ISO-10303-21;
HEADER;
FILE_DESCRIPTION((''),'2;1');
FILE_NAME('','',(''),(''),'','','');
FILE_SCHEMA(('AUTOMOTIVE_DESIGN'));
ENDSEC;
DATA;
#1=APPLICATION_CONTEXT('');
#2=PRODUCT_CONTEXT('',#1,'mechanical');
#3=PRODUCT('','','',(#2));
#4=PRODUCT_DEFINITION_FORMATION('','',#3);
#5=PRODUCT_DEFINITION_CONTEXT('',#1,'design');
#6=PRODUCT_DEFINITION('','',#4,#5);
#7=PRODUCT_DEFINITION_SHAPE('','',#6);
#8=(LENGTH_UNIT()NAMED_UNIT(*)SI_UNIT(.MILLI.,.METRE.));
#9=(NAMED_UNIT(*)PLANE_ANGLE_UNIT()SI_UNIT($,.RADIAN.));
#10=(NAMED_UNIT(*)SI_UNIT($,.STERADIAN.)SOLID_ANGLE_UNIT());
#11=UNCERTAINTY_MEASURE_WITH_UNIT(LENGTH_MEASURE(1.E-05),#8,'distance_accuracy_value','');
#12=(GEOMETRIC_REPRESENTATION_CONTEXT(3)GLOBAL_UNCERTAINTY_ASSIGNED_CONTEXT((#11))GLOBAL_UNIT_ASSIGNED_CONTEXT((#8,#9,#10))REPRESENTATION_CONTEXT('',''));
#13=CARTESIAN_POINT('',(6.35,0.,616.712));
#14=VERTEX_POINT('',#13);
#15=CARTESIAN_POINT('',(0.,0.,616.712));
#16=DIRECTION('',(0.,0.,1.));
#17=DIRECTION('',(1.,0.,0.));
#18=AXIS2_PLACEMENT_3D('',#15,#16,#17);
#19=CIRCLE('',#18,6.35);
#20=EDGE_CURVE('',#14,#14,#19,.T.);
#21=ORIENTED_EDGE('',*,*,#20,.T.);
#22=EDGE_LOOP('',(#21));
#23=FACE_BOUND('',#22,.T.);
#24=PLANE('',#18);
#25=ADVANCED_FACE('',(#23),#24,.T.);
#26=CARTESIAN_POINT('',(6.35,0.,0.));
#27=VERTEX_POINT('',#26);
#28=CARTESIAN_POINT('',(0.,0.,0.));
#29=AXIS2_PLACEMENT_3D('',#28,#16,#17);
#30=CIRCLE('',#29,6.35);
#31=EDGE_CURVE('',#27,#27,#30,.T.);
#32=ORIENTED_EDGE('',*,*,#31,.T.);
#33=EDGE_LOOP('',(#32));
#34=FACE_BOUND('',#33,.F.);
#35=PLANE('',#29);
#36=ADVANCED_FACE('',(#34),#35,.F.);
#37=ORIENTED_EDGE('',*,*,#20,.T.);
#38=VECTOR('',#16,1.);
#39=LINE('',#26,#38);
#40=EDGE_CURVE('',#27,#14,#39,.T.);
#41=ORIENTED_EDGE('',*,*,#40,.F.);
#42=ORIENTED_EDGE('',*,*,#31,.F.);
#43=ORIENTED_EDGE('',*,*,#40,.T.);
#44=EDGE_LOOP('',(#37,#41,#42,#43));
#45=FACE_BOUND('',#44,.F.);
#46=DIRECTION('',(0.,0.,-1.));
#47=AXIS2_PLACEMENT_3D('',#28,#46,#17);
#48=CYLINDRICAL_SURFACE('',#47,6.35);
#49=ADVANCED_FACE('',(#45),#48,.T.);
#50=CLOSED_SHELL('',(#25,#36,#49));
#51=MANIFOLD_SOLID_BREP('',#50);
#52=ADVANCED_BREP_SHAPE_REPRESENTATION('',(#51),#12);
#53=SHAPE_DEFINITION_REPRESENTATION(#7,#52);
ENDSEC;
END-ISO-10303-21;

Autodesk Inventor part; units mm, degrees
ref_plane "YZ Plane" through (0, 0, 0) normal (1, 0, 0) x (0, 1, 0)
ref_plane "XZ Plane" through (0, 0, 0) normal (0, 1, 0) x (-1, 0, 0)
ref_plane "XY Plane" through (0, 0, 0) normal (0, 0, 1) x (1, 0, 0)
sketch "Sketch1" plane through (0, 0, 0) normal (0, 0, 1) x (1, 0, 0)
  circle A0 centre (0, 0) radius 6.35
  dimension "d0" = 12.7
extrude "Extrusion1" add sketch "Sketch1" along normal blind 616.712
properties part number "Tower connecter"
